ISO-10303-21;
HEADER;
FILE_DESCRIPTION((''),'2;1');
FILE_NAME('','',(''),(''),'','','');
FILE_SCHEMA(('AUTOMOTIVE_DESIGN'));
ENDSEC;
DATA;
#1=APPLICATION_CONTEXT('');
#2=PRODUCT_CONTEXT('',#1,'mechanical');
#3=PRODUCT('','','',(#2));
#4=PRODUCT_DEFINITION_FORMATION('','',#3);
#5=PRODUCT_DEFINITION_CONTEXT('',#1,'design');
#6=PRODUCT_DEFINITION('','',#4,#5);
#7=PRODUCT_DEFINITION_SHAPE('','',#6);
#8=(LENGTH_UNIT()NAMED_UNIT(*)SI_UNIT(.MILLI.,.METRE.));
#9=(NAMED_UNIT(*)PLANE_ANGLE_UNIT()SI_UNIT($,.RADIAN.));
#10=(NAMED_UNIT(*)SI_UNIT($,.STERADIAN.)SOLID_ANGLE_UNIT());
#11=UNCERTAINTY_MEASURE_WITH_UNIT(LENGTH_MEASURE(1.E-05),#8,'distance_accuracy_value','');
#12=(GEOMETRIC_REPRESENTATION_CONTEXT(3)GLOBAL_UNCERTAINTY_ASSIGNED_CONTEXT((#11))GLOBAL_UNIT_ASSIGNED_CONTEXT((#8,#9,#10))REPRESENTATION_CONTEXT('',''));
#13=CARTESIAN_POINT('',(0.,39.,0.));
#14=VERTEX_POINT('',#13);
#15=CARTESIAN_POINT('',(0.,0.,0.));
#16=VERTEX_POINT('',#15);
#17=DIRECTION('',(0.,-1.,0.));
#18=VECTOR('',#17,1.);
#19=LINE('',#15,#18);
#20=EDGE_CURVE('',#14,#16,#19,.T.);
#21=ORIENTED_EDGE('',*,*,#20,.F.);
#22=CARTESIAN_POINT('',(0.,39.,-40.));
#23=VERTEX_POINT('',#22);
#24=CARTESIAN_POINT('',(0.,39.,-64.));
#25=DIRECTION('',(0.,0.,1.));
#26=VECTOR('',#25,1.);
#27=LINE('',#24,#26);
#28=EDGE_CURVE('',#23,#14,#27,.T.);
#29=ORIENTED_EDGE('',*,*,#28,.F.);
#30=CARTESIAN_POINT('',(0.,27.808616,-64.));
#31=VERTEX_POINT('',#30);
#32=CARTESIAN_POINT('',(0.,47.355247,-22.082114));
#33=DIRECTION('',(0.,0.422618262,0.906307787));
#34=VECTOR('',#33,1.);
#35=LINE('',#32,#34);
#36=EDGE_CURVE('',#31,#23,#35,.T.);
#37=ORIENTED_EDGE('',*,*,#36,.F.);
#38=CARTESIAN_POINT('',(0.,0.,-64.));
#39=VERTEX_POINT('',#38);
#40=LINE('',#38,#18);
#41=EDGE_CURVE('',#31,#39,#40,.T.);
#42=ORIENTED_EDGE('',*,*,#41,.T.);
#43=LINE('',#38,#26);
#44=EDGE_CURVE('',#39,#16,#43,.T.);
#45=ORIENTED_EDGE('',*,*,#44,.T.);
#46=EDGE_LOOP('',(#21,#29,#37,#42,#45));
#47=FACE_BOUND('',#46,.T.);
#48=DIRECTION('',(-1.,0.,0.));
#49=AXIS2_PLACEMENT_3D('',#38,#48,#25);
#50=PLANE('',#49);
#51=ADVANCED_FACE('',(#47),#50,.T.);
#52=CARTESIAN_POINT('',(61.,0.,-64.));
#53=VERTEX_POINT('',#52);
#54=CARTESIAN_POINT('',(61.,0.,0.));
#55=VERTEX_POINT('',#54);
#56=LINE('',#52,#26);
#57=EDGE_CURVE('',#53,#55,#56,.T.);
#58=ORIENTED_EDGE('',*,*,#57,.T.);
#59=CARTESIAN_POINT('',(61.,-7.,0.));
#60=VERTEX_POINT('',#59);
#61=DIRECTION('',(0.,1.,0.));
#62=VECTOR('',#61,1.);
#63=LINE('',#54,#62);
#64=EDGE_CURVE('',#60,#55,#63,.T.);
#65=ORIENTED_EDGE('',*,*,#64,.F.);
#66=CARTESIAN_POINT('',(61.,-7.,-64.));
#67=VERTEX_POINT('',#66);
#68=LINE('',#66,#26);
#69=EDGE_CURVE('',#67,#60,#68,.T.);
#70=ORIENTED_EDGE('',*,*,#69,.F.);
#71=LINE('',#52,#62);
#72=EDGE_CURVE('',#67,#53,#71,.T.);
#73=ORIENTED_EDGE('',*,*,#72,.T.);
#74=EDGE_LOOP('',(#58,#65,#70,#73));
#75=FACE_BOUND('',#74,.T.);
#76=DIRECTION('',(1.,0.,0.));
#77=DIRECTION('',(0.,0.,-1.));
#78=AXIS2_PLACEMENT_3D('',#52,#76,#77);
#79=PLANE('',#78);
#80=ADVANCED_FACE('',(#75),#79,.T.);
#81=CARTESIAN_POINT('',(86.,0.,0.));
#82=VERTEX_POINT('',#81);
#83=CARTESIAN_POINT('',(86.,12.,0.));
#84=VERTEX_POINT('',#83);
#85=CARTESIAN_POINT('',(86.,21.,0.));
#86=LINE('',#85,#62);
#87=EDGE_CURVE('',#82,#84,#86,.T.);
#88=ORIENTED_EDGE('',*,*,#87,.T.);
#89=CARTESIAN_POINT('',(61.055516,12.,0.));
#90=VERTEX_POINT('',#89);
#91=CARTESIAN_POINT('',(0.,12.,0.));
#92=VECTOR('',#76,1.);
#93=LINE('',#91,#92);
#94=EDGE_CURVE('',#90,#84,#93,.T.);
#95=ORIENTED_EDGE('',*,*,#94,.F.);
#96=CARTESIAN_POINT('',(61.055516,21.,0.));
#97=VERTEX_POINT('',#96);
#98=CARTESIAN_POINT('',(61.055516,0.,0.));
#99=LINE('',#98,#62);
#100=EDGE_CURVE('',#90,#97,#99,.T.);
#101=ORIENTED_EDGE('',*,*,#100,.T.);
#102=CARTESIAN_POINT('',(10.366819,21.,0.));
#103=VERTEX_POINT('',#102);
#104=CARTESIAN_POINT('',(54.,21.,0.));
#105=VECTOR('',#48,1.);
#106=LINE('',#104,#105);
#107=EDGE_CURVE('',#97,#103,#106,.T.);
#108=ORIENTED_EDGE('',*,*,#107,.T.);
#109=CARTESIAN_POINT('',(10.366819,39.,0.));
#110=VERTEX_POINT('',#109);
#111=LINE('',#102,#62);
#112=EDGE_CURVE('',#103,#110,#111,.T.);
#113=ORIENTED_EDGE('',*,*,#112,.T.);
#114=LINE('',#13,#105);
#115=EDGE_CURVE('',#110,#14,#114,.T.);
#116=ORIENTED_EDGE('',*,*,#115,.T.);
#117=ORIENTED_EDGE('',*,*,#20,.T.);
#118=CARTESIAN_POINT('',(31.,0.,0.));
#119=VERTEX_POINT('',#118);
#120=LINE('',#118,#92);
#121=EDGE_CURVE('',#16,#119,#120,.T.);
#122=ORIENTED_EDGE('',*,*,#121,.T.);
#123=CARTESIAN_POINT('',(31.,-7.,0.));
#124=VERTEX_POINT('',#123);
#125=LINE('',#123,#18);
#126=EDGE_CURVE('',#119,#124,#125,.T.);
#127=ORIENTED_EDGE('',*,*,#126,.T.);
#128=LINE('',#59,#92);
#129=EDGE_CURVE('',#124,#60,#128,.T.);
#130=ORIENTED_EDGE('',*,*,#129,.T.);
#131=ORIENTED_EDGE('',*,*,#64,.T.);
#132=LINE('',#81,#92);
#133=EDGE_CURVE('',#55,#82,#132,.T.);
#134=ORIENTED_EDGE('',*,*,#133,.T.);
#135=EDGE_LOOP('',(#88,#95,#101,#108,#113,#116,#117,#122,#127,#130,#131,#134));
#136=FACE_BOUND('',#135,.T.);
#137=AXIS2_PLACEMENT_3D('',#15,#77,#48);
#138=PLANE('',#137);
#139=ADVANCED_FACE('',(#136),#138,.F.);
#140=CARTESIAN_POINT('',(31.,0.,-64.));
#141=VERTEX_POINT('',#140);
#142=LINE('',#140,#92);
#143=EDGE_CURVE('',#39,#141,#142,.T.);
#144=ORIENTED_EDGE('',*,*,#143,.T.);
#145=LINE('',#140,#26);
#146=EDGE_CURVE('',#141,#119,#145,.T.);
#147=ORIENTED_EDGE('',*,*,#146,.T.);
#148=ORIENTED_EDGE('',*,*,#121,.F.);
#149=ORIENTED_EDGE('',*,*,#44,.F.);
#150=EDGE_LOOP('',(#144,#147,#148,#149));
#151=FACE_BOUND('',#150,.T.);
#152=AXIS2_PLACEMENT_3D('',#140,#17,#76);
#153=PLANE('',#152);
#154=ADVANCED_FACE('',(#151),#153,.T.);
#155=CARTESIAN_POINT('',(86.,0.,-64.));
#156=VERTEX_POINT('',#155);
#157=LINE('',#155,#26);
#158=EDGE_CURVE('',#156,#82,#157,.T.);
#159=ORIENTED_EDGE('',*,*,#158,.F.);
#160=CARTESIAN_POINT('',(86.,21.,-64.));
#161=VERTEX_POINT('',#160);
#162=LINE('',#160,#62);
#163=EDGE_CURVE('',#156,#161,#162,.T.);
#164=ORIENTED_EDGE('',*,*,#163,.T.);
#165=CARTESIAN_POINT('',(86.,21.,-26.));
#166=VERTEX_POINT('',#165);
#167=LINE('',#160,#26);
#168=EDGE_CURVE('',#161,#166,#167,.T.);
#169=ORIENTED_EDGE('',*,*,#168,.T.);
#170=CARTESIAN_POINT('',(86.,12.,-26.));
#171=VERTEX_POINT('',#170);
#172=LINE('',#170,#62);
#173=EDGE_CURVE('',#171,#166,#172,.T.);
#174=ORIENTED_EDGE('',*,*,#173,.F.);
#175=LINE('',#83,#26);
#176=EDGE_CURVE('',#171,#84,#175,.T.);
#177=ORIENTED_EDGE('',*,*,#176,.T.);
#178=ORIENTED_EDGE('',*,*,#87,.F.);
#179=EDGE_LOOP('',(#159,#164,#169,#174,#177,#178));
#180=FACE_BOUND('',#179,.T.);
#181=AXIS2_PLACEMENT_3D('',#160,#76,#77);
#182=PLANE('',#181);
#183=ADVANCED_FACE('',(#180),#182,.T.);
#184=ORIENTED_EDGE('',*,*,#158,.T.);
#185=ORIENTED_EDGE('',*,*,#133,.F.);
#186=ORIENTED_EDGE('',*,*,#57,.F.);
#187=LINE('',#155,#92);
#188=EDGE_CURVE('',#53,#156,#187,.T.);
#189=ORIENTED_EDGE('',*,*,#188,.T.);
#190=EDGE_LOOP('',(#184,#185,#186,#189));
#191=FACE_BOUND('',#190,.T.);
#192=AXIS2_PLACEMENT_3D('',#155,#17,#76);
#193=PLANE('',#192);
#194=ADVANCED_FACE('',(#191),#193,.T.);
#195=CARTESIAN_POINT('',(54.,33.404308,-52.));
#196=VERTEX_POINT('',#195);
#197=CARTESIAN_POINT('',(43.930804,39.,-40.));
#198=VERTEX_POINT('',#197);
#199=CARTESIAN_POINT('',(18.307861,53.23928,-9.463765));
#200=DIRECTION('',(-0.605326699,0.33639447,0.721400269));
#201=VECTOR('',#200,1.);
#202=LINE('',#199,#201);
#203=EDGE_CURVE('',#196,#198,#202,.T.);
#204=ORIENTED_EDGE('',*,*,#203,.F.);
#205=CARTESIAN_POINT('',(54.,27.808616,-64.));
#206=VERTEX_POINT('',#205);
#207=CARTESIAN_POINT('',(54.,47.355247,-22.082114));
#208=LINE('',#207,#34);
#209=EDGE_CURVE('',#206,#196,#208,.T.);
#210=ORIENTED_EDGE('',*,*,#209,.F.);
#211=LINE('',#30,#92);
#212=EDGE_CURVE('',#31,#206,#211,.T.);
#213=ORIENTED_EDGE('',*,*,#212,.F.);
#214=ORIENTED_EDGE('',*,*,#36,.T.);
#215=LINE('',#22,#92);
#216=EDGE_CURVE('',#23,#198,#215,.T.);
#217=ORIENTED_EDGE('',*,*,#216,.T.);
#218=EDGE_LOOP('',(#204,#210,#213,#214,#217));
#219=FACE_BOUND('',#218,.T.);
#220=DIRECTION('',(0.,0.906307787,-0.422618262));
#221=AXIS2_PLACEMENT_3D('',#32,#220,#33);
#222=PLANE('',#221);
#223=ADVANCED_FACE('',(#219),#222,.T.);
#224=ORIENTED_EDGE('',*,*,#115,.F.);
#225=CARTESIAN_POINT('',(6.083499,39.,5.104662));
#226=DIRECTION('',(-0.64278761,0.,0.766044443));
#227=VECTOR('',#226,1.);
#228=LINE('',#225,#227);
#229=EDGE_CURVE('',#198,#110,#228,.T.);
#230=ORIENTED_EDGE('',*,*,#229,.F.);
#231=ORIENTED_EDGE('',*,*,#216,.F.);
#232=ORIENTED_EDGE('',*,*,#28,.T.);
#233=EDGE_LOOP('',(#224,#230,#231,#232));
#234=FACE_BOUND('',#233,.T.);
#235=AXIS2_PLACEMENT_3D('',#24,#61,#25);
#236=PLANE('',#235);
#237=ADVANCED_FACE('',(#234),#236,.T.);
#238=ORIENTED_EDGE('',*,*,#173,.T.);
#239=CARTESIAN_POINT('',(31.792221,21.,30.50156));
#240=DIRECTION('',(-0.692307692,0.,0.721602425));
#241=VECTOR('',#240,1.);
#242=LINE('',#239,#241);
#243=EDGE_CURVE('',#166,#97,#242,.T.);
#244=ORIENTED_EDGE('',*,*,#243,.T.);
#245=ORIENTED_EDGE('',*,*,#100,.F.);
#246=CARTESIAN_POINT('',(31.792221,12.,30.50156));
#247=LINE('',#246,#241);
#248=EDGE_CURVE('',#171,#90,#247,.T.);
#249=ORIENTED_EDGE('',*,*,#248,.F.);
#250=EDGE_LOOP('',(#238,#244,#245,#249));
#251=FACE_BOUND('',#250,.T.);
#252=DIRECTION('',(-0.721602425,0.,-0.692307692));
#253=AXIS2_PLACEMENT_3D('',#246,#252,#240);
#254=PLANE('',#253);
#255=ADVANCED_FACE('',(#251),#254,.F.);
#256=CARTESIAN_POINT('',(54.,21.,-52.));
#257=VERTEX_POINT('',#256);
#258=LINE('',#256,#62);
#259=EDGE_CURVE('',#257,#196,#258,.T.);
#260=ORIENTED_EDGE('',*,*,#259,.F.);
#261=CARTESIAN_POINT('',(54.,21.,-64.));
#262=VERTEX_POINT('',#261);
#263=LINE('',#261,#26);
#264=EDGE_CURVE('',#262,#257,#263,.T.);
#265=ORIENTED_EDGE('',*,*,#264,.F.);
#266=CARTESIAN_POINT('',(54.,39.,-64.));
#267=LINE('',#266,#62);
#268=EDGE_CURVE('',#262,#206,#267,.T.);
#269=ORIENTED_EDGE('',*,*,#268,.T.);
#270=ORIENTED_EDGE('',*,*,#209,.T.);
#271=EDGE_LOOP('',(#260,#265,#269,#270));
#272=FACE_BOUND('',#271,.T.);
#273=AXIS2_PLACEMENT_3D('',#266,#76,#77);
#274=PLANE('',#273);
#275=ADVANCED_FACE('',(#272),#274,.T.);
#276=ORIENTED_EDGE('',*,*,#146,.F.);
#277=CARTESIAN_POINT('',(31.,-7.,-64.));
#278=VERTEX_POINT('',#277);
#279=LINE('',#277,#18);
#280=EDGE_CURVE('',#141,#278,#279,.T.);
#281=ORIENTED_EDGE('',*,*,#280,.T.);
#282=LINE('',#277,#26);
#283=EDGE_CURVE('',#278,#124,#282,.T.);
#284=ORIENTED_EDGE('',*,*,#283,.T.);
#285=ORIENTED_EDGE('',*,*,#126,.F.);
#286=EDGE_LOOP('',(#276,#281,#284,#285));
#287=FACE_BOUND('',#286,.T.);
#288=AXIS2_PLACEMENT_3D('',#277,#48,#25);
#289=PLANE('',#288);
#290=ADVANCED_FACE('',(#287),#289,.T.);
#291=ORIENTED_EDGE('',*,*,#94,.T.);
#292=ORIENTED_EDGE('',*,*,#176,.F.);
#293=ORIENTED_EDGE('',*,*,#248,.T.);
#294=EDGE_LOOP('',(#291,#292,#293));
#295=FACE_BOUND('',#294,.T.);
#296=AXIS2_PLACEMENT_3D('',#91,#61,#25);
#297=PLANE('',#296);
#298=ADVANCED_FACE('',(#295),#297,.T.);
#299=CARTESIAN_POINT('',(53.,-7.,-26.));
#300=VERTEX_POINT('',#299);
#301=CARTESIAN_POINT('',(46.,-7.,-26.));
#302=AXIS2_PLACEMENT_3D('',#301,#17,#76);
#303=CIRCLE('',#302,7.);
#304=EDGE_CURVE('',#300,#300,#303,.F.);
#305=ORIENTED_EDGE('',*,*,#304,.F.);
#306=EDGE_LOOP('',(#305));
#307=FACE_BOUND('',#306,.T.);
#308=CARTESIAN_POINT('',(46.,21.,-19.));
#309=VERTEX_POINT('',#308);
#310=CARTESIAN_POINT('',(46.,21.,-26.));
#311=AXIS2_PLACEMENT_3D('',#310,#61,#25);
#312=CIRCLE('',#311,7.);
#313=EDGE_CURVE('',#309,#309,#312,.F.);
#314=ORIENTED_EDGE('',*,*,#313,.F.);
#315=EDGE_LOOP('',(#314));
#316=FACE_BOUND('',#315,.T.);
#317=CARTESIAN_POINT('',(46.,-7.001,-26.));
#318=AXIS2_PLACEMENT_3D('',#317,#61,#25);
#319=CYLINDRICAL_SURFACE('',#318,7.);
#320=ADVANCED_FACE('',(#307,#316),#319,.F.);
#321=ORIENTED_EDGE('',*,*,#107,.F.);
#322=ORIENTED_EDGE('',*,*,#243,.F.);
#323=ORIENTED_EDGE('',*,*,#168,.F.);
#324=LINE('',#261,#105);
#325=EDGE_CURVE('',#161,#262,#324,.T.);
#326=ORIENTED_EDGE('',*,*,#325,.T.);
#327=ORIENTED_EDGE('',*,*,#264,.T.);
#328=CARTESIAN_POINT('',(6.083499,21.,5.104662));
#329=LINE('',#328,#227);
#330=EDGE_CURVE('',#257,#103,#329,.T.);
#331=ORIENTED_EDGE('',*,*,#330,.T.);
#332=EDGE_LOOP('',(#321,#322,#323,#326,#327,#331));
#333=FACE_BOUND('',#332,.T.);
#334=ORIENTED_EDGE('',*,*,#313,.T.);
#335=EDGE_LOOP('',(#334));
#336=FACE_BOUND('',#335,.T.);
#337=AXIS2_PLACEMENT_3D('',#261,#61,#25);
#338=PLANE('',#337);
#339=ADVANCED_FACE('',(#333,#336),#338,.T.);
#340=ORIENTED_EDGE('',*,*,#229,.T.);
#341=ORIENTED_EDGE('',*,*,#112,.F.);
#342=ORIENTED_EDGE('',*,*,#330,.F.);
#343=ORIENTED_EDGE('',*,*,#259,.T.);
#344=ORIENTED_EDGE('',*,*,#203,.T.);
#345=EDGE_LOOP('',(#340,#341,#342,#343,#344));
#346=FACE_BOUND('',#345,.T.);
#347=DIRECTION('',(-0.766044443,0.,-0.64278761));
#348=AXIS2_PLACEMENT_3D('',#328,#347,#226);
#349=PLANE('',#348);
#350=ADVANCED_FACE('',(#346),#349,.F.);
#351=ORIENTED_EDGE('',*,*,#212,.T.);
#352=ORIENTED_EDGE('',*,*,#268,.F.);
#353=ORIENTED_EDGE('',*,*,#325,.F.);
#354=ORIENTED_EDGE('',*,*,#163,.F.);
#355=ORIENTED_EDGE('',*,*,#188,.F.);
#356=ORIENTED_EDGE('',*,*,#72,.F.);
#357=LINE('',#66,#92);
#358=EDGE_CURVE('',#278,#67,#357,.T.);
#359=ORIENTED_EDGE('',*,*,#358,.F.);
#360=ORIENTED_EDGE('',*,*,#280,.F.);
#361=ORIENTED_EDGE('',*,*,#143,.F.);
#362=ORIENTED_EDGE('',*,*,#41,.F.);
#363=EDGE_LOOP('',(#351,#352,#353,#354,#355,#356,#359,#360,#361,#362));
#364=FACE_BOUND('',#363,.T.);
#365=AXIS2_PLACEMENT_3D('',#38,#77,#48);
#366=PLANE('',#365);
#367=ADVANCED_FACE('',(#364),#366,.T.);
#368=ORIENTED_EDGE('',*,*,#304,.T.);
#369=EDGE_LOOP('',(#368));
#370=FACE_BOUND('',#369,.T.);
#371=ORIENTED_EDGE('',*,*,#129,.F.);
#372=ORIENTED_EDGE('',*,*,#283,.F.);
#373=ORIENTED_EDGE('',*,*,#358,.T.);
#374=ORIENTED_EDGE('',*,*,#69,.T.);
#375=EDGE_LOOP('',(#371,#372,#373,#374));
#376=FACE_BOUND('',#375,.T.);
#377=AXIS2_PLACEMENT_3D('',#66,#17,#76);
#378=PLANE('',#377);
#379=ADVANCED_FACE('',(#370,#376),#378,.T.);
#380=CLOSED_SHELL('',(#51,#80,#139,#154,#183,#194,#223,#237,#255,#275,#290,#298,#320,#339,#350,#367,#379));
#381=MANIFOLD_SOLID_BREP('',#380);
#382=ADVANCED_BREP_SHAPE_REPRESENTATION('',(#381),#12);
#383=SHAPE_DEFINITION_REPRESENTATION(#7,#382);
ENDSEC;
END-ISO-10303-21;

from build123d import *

# Parameters (mm, degrees)
BOSS_EXTRUDE1_DEPTH = 64
CUT_EXTRUDE1_DEPTH  = 93.374238833
SKETCH4_R           = 7
CUT_EXTRUDE2_DEPTH  = 18
CUT_EXTRUDE7_REACH  = 118.653
SKETCH4_6_R         = 7
CUT_EXTRUDE8_START  = -18
CUT_EXTRUDE8_DEPTH  = 9


with BuildPart() as part:
    # Sketch1 → Boss-Extrude1 (new body)
    with BuildSketch(Plane.XY):
        Polygon((0, 0), (0, 39), (54, 39), (54, 21), (86, 21), (86, 0), (61, 0), (61, -7), (31, -7), (31, 0), align=None)
    extrude(amount=-BOSS_EXTRUDE1_DEPTH)

    # Sketch3 → Cut-Extrude1 (cut, through all)
    with BuildSketch(Plane(origin=(54, 0, 0), x_dir=(0, 0, -1), z_dir=(1, 0, 0))):
        Polygon((40, 39), (64, 27.808616204), (64, 39), align=None)
    extrude(amount=-CUT_EXTRUDE1_DEPTH, mode=Mode.SUBTRACT)

    # Sketch4 → Cut-Extrude2 (cut)
    # profile 1 of 2: a face of its own
    with BuildSketch(Plane(origin=(0, 39, 0), x_dir=(1, 0, 0), z_dir=(0, 1, 0))):
        Polygon((54, 40), (54, 52), (43.930804426, 40), align=None)
    # profile 2 of 2: a face of its own
    with BuildSketch(Plane(origin=(0, 39, 0), x_dir=(1, 0, 0), z_dir=(0, 1, 0))):
        Polygon((54, 40), (43.930804426, 40), (10.366819179, 0), (54, 0), align=None)
        with Locations((46, 26)):
            Circle(SKETCH4_R, mode=Mode.SUBTRACT)
    extrude(amount=-CUT_EXTRUDE2_DEPTH, mode=Mode.SUBTRACT)

    # Sketch4<6> → Cut-Extrude7 (cut, up to next)
    with BuildSketch(Plane(origin=(0, 39, 0), x_dir=(1, 0, 0), z_dir=(0, 1, 0)), mode=Mode.PRIVATE) as cut_extrude7_sk1:
        with Locations((46, 26)):
            Circle(SKETCH4_6_R)
    cut_extrude7_tool1 = extrude(cut_extrude7_sk1.sketch, amount=-CUT_EXTRUDE7_REACH, mode=Mode.PRIVATE) & part.part
    add(cut_extrude7_tool1.solids().sort_by_distance((46, 39, -26))[0], mode=Mode.SUBTRACT)

    # Sketch4<7> → Cut-Extrude8 (cut)
    with BuildSketch(Plane(origin=(0, 39, 0), x_dir=(1, 0, 0), z_dir=(0, 1, 0)).offset(CUT_EXTRUDE8_START)):
        Polygon((86, -0.057865332), (86, 26), (61, -0.057865332), align=None)
    extrude(amount=-CUT_EXTRUDE8_DEPTH, mode=Mode.SUBTRACT)


solid = part.part
